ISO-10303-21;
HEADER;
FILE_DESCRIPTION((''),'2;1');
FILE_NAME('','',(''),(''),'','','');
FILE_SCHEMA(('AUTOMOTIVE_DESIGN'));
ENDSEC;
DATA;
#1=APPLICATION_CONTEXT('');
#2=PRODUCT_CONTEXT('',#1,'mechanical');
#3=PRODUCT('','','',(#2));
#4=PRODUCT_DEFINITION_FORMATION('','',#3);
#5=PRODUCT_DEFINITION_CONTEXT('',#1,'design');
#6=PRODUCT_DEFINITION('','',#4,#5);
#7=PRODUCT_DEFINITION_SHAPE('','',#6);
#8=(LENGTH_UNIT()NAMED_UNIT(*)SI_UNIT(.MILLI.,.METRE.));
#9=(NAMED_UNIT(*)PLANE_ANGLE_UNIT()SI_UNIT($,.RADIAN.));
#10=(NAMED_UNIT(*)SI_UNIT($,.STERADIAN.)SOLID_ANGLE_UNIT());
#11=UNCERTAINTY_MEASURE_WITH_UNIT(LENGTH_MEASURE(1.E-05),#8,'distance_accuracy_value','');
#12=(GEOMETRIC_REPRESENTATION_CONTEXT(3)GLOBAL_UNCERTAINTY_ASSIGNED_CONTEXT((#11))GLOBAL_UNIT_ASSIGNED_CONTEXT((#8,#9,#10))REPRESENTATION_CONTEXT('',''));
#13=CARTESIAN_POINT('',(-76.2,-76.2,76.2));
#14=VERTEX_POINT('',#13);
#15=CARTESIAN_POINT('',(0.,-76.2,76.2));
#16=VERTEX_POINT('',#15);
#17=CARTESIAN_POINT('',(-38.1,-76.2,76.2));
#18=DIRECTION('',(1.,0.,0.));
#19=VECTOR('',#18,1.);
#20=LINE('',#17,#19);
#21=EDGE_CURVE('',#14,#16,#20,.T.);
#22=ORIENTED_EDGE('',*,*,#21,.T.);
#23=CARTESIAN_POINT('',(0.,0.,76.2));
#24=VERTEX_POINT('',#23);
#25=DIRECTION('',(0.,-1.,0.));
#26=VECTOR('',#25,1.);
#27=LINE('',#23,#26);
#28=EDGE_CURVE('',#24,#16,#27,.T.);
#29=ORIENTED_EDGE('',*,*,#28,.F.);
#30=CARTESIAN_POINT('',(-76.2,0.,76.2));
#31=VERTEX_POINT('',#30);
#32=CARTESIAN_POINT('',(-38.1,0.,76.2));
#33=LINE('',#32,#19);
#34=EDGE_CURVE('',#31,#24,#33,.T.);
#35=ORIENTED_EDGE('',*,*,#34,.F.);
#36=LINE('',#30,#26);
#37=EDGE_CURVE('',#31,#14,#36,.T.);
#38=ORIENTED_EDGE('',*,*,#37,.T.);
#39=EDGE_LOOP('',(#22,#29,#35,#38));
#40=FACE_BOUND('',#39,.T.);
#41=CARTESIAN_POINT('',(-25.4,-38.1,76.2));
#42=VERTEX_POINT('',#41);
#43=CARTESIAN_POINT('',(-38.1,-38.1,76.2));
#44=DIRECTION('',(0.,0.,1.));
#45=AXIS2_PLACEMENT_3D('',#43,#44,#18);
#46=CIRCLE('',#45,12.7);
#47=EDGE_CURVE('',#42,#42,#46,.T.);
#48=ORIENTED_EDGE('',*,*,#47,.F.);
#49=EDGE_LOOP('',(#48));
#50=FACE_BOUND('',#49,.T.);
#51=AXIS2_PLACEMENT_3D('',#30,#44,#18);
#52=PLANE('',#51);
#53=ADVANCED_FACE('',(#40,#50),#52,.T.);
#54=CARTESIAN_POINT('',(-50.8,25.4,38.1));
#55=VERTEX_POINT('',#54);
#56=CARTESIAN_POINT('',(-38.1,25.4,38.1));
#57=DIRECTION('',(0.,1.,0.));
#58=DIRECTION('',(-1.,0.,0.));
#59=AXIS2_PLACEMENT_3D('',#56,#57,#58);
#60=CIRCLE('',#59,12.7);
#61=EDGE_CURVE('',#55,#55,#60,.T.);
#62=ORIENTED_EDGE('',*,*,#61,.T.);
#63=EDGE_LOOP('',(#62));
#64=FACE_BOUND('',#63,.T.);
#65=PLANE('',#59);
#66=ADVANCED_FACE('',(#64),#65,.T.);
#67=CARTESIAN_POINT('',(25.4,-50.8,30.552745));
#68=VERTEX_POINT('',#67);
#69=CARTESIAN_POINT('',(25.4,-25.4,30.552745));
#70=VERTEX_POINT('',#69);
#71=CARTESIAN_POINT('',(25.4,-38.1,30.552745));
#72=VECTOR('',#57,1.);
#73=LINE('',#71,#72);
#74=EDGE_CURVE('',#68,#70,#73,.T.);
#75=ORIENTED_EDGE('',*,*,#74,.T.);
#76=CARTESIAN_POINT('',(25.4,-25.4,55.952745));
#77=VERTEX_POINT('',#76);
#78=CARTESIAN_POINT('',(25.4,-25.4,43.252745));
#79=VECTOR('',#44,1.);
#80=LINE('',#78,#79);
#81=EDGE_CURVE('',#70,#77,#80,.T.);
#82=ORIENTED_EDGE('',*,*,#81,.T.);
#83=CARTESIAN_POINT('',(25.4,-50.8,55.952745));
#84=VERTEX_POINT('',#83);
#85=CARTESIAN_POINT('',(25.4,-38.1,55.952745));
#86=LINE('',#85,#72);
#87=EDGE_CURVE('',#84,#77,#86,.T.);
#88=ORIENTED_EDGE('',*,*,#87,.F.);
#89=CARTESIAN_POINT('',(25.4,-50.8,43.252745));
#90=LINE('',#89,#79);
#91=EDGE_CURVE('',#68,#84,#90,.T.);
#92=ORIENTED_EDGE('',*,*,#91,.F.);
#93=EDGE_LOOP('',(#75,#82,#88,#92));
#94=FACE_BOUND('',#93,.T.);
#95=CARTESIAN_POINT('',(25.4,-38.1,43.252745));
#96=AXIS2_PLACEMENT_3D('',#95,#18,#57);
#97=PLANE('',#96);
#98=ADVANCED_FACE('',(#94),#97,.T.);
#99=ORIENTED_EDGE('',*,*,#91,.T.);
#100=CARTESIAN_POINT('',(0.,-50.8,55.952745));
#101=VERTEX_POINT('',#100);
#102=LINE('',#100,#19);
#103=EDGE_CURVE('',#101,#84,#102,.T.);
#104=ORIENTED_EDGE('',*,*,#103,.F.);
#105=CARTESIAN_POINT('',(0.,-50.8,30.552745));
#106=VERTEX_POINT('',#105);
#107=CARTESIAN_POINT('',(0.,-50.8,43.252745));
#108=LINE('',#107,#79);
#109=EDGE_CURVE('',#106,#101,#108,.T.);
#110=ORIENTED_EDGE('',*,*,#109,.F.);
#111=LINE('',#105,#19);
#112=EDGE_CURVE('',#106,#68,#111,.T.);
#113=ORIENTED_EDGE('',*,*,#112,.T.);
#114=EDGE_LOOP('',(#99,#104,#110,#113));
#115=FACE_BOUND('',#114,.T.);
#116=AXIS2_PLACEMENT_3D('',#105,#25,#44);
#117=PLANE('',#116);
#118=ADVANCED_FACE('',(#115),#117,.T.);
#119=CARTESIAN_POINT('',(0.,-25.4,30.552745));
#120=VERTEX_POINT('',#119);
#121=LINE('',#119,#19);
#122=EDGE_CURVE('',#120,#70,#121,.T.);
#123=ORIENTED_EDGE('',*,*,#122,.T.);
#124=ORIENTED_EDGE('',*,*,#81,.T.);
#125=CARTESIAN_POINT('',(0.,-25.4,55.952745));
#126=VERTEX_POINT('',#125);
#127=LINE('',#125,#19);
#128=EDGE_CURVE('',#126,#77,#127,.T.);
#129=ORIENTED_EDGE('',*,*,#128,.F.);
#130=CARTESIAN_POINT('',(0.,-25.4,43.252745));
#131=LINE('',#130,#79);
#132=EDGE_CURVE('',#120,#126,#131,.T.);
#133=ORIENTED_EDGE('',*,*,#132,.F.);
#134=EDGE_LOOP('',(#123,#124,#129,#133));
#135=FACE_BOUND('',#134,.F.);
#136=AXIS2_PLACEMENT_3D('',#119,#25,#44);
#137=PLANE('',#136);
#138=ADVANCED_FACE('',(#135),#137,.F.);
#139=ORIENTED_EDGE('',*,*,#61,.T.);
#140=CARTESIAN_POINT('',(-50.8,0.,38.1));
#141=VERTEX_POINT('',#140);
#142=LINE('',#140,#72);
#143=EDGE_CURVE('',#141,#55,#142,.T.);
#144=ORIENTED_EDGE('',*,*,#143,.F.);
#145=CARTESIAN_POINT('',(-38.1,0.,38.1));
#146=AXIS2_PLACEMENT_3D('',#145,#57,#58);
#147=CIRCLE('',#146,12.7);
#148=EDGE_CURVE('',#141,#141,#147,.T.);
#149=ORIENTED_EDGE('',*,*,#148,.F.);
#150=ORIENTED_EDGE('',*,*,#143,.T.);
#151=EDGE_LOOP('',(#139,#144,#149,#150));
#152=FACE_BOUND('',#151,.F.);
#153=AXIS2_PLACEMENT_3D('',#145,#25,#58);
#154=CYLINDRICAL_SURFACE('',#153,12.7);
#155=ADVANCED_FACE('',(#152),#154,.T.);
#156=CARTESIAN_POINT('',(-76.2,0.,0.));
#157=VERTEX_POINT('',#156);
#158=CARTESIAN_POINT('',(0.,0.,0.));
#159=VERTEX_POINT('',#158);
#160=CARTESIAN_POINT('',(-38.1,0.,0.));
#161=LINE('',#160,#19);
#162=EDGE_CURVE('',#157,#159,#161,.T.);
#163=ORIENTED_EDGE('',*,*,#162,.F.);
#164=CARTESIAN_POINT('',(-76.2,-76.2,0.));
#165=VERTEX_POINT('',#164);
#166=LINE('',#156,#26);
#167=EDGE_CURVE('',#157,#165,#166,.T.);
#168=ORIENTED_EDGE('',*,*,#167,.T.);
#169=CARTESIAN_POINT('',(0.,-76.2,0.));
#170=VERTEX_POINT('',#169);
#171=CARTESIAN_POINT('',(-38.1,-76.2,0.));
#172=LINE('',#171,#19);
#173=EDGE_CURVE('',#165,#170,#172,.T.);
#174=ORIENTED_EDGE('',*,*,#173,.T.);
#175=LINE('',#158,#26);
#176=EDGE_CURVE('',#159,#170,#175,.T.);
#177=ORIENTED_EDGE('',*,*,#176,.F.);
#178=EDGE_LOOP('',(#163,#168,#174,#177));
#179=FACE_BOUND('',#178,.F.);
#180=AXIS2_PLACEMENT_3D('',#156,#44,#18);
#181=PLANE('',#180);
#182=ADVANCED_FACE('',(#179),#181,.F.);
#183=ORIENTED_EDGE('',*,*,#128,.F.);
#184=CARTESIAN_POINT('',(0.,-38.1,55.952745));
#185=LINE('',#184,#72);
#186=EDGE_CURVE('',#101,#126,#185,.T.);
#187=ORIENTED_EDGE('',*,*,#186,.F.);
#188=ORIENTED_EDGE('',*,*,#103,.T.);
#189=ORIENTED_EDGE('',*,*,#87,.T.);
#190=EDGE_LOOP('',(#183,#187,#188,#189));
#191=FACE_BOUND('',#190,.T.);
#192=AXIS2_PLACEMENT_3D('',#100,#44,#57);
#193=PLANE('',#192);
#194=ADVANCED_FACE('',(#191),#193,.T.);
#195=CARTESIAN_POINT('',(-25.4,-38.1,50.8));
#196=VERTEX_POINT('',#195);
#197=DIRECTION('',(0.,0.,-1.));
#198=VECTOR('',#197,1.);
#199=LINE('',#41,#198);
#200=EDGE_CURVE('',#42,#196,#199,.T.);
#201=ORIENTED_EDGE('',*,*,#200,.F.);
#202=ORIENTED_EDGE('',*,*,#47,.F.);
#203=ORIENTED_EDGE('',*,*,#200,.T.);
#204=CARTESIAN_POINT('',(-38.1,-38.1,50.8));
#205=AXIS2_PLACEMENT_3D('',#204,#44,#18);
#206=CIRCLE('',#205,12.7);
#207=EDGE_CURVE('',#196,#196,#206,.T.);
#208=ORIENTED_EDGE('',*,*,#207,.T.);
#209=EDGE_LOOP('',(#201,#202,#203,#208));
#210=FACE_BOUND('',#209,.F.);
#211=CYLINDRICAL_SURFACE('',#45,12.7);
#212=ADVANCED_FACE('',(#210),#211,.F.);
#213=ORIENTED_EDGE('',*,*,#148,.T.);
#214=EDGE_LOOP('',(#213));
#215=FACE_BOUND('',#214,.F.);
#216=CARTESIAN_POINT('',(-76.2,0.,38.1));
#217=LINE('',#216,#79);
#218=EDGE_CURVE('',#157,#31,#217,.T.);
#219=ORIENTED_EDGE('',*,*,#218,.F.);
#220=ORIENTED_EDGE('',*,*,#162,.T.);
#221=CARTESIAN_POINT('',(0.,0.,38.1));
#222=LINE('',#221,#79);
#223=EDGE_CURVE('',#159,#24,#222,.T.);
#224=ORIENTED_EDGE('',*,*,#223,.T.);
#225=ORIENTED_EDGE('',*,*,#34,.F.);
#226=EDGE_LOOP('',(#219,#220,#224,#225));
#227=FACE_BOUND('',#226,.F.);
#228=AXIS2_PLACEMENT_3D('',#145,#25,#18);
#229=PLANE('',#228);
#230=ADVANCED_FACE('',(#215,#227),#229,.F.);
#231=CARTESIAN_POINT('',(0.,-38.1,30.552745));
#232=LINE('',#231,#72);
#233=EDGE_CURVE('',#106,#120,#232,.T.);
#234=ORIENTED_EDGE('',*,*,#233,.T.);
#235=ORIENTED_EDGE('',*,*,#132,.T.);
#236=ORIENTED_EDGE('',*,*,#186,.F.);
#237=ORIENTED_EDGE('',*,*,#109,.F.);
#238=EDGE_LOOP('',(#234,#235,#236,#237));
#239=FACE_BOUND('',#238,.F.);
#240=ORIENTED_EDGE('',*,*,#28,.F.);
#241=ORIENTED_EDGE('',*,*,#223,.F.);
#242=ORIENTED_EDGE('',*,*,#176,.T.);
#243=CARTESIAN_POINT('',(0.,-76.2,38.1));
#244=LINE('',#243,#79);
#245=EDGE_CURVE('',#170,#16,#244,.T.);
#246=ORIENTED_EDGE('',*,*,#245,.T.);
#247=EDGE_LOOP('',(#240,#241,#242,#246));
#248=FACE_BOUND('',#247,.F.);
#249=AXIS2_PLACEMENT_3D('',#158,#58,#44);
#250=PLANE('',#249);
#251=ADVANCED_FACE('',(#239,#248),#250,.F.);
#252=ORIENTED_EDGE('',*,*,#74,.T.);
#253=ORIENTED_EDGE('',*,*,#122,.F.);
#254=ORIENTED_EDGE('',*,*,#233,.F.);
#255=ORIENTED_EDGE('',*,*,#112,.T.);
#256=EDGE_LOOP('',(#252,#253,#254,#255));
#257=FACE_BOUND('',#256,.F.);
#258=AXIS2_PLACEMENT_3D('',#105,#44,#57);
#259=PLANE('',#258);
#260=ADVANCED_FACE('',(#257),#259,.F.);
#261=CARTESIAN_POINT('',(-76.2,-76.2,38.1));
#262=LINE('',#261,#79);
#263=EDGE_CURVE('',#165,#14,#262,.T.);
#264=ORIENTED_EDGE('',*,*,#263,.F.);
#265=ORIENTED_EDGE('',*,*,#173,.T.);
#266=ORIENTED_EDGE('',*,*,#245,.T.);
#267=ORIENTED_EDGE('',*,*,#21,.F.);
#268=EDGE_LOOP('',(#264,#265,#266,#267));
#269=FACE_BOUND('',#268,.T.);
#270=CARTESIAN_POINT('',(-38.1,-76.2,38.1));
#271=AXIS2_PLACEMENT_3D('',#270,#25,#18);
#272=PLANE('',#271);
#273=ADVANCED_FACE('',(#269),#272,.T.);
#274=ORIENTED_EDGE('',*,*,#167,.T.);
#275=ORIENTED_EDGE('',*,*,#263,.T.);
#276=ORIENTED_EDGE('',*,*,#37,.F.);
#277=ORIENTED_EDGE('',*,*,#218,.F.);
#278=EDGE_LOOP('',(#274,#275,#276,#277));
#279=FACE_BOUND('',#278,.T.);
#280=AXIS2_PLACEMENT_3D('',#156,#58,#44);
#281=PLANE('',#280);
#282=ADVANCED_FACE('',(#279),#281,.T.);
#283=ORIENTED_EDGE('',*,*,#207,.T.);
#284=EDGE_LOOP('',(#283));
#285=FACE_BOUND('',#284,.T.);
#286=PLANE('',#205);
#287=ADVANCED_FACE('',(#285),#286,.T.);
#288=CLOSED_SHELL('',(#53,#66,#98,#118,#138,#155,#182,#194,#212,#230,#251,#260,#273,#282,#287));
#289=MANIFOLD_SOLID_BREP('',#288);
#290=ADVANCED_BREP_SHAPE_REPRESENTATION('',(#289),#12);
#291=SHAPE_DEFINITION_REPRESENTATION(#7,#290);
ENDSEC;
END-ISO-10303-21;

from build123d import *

# Parameters (mm, degrees)
F0_W     = 76.2
F0_H     = 76.2
F1_DEPTH = 76.2
F2_R     = 12.7
F3_DEPTH = 25.4
F4_W     = 25.4
F4_H     = 25.4
F5_DEPTH = 25.4
F6_R     = 12.7
F7_DEPTH = 25.4


with BuildPart() as f1:
    # F0 (on Front) → F1 (new body)
    with BuildSketch(Plane.XZ):
        with Locations((-38.1, 38.1)):
            Rectangle(F0_W, F0_H)
    extrude(amount=F1_DEPTH)

    # F2 (on face) → F3 (cut)
    with BuildSketch(Plane.XY.offset(76.2)):
        with Locations((-38.1, -38.1)):
            Circle(F2_R)
    extrude(amount=-F3_DEPTH, mode=Mode.SUBTRACT)

    # F4 (on face) → F5 (join)
    with BuildSketch(Plane.YZ):
        with Locations((-38.1, 43.252745)):
            Rectangle(F4_W, F4_H)
    extrude(amount=F5_DEPTH)

    # F6 (on face) → F7 (join)
    with BuildSketch(Plane(origin=(0, 0, 0), x_dir=(-1, 0, 0), z_dir=(0, 1, 0))):
        with Locations((38.1, 38.1)):
            Circle(F6_R)
    extrude(amount=F7_DEPTH)


solid = f1.part
